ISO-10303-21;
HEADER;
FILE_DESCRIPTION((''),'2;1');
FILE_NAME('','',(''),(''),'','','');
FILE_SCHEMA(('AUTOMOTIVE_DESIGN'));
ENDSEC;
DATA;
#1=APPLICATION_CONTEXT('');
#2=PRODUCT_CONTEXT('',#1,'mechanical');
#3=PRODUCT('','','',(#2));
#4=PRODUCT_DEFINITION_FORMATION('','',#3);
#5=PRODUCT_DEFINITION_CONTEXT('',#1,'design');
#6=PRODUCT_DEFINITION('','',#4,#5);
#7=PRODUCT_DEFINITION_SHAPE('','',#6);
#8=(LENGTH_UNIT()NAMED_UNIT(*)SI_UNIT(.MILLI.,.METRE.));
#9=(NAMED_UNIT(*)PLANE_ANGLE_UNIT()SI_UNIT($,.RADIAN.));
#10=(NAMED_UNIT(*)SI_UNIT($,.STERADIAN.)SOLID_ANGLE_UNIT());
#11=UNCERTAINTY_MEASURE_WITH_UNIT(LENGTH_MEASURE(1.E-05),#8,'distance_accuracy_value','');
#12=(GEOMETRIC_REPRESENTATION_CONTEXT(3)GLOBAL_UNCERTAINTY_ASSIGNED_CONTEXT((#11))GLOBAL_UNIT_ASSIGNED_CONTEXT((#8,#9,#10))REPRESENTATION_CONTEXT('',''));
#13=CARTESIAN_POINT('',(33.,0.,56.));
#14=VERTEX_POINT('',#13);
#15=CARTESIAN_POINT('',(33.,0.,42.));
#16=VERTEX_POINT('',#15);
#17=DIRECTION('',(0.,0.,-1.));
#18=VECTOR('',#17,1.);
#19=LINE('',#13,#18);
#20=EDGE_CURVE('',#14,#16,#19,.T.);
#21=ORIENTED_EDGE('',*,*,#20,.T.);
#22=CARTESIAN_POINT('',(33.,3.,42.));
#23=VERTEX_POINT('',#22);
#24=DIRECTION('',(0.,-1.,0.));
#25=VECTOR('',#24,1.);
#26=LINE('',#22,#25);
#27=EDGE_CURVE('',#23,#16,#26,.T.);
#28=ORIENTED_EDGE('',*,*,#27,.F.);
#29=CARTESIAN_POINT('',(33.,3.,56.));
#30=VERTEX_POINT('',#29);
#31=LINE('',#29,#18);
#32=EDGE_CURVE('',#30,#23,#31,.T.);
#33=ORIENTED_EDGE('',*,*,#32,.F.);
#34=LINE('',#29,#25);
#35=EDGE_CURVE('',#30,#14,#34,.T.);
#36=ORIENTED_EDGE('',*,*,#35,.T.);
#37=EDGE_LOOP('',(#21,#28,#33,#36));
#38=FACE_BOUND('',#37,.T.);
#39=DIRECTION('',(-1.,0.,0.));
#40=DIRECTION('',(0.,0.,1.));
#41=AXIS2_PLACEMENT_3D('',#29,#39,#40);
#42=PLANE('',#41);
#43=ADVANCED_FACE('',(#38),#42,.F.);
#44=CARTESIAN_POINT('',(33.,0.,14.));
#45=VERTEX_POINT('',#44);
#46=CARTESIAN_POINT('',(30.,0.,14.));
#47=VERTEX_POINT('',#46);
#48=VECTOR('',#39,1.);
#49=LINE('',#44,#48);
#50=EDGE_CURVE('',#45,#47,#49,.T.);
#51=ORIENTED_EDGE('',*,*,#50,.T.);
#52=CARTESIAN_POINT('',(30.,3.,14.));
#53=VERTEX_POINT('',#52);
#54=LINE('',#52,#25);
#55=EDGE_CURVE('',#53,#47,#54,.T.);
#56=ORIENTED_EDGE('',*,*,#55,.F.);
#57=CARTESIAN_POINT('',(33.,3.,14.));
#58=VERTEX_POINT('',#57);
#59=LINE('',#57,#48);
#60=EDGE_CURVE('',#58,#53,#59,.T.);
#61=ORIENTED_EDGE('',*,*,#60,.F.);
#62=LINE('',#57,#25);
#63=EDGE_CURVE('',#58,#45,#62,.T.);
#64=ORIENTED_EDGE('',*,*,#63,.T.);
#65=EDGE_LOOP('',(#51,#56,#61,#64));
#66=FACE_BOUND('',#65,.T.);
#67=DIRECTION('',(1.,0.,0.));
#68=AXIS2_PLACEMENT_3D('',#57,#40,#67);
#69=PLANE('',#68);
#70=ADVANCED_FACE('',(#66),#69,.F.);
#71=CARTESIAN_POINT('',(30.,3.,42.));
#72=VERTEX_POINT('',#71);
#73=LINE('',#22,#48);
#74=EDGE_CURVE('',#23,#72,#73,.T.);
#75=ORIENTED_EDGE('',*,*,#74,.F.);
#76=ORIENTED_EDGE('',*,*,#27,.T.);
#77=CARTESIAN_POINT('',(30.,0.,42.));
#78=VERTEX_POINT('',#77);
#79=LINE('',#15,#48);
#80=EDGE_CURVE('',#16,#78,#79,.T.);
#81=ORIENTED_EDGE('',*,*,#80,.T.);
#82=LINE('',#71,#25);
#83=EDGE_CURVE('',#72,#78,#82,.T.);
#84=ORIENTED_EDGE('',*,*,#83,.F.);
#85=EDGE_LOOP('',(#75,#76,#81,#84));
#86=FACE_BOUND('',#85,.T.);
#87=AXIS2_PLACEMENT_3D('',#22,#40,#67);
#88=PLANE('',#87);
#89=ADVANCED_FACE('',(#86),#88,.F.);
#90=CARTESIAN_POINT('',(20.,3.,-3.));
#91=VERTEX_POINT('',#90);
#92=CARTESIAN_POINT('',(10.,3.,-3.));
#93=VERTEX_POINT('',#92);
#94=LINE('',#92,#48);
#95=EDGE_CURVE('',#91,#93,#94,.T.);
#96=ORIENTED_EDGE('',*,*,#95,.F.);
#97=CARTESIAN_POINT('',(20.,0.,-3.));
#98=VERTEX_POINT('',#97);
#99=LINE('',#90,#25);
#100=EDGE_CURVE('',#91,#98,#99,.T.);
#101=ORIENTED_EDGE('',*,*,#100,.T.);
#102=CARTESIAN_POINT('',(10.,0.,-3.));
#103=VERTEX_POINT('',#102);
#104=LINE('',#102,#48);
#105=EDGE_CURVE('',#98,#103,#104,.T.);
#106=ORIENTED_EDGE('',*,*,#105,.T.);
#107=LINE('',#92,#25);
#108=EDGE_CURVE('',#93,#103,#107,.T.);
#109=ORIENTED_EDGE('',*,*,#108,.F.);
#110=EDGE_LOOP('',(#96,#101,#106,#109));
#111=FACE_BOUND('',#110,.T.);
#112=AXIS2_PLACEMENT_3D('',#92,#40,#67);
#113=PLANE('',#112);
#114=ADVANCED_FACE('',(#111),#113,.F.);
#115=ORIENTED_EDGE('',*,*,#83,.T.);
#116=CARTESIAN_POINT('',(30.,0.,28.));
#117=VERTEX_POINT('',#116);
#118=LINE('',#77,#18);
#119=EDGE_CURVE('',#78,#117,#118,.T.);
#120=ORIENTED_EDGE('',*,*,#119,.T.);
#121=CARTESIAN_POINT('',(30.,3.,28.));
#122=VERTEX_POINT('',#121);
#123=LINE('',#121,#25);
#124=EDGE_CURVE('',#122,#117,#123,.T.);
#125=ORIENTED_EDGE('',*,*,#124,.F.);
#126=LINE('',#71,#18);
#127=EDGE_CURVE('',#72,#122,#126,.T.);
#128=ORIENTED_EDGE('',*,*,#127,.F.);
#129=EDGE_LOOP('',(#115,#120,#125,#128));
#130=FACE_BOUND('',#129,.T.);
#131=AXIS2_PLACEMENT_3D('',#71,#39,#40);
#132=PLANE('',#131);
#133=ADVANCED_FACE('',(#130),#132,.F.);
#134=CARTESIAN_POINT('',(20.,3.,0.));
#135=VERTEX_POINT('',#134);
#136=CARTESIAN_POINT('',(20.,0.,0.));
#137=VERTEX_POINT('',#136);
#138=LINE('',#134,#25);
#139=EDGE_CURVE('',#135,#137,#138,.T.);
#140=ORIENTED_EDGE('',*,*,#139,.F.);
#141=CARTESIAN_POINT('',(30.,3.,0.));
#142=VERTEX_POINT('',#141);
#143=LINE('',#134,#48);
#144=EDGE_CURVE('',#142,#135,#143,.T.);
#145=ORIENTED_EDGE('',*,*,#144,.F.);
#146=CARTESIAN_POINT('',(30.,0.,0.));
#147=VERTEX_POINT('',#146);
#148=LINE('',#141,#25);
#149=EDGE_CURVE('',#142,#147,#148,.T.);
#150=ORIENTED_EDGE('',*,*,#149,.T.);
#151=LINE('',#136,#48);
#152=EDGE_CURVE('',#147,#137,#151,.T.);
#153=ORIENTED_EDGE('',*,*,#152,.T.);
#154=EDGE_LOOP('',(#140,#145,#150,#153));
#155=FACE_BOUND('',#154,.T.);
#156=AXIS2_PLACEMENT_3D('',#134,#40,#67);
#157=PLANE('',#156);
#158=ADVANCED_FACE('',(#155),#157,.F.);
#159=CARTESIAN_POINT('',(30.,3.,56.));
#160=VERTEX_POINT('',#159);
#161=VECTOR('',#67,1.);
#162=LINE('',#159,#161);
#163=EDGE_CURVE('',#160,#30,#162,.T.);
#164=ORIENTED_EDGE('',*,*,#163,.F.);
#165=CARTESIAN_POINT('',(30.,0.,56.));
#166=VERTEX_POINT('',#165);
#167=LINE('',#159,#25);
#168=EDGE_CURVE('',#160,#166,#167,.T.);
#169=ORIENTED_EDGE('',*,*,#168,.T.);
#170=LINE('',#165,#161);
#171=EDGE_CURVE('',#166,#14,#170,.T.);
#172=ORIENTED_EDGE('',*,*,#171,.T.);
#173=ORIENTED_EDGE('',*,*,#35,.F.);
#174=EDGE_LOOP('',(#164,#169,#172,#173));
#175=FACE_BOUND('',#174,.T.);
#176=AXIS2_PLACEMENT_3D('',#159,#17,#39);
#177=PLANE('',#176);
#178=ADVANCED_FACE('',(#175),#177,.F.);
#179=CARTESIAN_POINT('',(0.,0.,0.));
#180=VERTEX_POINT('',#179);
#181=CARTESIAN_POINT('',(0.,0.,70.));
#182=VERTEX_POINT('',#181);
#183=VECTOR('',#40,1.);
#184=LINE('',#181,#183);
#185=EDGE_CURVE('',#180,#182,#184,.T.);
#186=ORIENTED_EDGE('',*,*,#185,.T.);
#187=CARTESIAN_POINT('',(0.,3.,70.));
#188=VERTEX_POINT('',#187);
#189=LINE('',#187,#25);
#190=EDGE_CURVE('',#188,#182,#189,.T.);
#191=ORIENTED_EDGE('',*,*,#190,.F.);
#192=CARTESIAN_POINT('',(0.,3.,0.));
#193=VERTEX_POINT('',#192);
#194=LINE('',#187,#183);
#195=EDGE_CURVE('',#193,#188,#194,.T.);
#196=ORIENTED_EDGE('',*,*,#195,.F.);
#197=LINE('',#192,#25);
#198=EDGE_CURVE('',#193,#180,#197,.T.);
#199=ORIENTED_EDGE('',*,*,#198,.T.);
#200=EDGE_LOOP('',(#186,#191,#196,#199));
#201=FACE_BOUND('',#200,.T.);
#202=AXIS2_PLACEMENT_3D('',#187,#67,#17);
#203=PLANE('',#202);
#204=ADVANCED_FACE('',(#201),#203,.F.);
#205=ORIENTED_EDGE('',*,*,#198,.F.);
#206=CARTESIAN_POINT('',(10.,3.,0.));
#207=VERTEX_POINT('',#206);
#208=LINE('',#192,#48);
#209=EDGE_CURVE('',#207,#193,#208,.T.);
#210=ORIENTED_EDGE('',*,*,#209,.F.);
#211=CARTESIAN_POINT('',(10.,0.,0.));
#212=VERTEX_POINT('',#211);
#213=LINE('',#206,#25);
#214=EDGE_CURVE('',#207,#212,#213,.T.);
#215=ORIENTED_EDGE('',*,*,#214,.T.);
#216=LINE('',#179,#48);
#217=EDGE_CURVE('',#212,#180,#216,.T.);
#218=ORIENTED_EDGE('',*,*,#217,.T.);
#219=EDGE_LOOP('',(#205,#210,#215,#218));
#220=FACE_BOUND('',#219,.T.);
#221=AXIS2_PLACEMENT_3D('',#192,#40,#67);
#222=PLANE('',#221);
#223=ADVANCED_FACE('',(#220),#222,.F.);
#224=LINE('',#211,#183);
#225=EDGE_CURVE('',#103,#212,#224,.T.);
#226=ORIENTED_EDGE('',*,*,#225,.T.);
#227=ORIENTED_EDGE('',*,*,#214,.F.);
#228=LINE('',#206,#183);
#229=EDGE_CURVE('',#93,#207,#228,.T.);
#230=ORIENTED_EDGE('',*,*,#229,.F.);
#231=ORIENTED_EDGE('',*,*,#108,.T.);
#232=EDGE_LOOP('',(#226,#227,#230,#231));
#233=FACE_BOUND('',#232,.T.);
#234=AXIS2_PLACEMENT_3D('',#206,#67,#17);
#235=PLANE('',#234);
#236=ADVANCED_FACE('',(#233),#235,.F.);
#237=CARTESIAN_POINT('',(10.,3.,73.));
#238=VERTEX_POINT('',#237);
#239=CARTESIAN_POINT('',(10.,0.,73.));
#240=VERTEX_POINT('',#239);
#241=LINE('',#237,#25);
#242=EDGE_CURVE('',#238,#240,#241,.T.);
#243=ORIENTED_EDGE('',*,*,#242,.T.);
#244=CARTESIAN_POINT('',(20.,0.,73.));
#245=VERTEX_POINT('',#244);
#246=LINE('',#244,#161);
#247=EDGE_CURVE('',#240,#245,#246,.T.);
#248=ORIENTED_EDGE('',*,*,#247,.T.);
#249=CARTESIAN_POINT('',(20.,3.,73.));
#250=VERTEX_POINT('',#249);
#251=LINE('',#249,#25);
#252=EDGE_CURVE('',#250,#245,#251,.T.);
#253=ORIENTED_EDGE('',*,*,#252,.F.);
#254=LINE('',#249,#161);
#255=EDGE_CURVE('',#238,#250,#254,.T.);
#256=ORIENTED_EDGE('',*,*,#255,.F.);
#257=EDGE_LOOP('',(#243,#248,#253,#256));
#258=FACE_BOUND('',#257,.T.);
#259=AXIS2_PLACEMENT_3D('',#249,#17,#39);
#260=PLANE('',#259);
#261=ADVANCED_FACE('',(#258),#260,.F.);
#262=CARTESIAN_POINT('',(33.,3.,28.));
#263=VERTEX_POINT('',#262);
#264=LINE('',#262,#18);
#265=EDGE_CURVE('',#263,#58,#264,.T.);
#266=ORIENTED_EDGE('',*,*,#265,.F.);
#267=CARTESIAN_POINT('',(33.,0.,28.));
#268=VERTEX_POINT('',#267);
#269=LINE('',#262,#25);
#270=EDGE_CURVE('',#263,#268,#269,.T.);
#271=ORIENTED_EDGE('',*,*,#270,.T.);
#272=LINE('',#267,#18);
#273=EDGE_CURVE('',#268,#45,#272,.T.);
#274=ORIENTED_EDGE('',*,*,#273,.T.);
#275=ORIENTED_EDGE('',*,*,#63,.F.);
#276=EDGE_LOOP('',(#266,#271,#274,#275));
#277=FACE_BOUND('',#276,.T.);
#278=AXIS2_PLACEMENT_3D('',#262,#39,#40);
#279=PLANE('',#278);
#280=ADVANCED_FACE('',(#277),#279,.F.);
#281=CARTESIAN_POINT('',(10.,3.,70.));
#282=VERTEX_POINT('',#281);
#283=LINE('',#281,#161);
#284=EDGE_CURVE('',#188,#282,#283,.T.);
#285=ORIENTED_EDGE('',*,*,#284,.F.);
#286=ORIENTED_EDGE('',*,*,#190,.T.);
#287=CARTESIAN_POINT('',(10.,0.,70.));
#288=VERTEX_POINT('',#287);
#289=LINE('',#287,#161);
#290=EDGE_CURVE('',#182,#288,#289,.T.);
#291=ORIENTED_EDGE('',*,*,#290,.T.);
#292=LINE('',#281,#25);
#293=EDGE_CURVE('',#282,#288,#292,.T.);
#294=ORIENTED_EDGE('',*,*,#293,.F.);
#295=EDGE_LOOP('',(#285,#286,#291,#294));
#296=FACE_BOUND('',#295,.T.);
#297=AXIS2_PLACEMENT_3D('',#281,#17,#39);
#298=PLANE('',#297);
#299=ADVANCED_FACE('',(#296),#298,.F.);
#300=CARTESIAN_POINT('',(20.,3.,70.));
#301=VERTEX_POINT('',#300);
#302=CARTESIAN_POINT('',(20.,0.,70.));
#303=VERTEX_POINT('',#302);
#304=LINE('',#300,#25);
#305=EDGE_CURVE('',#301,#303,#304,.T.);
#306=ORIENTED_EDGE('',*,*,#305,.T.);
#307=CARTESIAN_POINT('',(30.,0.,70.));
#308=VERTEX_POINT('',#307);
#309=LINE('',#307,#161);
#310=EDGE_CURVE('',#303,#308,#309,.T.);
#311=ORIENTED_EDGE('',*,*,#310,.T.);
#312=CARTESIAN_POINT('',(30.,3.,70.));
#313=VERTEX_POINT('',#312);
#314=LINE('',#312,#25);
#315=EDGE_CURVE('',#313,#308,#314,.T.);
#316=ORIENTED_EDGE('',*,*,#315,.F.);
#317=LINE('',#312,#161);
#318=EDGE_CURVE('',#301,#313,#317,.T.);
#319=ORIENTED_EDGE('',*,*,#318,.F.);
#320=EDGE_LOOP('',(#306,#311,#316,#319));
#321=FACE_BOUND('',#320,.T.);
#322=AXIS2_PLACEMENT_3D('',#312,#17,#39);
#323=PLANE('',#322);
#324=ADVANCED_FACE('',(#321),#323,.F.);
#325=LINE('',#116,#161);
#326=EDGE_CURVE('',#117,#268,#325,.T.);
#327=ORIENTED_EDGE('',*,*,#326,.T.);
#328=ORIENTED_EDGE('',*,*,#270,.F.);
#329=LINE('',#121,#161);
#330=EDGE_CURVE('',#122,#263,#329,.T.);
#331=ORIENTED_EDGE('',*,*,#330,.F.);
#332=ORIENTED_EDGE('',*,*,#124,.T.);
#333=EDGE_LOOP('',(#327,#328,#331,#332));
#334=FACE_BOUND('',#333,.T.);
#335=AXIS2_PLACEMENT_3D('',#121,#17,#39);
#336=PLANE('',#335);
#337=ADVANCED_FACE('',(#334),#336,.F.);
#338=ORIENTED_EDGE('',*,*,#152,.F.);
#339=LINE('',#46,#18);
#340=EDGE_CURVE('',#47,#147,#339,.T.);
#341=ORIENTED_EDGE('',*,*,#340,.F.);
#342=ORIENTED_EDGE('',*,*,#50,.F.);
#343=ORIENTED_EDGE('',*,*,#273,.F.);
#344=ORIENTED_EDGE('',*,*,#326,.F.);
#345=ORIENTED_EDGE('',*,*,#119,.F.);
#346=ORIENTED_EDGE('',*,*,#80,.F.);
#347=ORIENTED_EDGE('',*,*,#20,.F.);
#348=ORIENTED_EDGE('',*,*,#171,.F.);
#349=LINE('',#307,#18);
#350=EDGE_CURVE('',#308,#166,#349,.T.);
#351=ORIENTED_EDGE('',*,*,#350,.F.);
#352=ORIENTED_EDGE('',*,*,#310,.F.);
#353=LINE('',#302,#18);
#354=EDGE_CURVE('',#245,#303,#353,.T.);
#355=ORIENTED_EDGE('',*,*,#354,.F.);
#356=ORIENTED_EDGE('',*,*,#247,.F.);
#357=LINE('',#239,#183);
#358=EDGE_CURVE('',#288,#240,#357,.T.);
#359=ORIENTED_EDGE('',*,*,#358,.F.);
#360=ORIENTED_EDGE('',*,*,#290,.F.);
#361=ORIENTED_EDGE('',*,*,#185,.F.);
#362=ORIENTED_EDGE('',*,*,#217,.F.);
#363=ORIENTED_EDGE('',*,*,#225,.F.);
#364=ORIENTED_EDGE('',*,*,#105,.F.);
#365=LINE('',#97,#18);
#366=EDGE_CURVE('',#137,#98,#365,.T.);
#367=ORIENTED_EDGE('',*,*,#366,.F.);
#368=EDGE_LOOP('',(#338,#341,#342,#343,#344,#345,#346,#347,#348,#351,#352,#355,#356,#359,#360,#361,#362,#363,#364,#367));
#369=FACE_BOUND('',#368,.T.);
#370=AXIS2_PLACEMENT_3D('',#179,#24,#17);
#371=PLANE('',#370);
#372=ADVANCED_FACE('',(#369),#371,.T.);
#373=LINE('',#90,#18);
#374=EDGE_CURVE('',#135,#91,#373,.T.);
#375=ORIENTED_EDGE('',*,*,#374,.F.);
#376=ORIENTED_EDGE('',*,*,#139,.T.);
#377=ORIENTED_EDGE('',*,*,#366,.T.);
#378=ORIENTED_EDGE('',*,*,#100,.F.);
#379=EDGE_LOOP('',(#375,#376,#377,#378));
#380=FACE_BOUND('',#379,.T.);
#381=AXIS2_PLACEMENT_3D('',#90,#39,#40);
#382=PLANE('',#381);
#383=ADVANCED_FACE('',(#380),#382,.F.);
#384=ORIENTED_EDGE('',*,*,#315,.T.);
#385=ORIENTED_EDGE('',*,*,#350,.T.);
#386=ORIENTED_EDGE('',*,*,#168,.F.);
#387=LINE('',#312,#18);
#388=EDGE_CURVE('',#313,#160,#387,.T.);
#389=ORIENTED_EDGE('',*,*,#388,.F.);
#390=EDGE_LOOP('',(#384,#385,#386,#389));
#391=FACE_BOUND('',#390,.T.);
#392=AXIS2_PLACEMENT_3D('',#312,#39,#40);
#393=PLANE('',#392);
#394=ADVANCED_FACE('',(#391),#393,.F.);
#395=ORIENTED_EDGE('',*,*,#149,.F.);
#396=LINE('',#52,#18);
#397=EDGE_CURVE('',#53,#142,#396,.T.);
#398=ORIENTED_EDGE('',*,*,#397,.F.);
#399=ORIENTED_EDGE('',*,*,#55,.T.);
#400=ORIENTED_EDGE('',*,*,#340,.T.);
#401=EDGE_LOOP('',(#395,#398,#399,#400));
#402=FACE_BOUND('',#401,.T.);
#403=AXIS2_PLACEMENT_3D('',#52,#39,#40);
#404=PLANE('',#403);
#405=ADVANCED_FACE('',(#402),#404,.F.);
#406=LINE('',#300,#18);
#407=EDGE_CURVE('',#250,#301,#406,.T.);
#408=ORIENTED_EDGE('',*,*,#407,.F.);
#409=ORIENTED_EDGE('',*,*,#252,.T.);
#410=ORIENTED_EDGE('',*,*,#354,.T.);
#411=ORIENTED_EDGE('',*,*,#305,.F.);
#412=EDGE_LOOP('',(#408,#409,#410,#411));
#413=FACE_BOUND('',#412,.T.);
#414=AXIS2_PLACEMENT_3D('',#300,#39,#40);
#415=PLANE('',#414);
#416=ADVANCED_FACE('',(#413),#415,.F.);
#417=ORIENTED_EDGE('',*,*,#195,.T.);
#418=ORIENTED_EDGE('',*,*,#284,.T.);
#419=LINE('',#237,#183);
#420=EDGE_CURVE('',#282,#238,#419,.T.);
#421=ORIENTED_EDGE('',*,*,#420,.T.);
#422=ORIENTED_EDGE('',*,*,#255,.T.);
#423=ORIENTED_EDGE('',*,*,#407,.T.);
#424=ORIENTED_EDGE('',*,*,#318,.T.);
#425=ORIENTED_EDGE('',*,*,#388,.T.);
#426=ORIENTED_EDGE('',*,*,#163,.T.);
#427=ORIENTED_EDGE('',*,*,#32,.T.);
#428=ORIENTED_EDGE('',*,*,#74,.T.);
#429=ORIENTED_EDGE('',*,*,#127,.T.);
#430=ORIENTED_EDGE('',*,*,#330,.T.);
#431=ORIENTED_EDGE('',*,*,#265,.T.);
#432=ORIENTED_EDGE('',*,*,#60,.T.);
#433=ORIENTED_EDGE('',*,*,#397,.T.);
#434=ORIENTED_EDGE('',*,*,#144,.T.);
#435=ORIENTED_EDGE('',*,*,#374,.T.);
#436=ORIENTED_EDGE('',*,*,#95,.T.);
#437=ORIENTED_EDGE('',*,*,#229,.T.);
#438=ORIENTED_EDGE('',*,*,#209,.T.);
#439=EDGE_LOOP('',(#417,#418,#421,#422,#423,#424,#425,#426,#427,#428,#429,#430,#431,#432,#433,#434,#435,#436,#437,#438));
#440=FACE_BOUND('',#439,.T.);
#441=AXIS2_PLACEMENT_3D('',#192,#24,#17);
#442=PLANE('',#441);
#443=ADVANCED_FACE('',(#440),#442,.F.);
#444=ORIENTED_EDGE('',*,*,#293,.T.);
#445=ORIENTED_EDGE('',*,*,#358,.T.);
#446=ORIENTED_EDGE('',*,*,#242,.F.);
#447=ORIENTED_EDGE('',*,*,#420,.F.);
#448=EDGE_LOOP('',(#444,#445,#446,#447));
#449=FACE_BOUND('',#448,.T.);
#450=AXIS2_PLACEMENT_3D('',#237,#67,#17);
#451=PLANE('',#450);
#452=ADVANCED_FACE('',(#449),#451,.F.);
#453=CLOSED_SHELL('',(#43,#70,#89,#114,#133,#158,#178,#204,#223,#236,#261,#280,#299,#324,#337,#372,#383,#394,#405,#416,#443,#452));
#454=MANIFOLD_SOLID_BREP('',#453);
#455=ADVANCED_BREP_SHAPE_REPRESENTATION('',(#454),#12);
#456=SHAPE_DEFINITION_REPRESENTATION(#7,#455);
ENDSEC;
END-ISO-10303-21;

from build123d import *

# Parameters (mm, degrees)
BOSS_EXTRUDE1_DEPTH = 3


with BuildPart() as part:
    # Sketch1 → Boss-Extrude1 (new body)
    with BuildSketch(Plane(origin=(0, 0, 0), x_dir=(1, 0, 0), z_dir=(0, 1, 0))):
        Polygon((0, 0), (10, 0), (10, 3), (20, 3), (20, 0), (30, 0), (30, -14), (33, -14), (33, -28), (30, -28), (30, -42), (33, -42), (33, -56), (30, -56), (30, -70), (20, -70), (20, -73), (10, -73), (10, -70), (0, -70), align=None)
    extrude(amount=BOSS_EXTRUDE1_DEPTH)


solid = part.part
